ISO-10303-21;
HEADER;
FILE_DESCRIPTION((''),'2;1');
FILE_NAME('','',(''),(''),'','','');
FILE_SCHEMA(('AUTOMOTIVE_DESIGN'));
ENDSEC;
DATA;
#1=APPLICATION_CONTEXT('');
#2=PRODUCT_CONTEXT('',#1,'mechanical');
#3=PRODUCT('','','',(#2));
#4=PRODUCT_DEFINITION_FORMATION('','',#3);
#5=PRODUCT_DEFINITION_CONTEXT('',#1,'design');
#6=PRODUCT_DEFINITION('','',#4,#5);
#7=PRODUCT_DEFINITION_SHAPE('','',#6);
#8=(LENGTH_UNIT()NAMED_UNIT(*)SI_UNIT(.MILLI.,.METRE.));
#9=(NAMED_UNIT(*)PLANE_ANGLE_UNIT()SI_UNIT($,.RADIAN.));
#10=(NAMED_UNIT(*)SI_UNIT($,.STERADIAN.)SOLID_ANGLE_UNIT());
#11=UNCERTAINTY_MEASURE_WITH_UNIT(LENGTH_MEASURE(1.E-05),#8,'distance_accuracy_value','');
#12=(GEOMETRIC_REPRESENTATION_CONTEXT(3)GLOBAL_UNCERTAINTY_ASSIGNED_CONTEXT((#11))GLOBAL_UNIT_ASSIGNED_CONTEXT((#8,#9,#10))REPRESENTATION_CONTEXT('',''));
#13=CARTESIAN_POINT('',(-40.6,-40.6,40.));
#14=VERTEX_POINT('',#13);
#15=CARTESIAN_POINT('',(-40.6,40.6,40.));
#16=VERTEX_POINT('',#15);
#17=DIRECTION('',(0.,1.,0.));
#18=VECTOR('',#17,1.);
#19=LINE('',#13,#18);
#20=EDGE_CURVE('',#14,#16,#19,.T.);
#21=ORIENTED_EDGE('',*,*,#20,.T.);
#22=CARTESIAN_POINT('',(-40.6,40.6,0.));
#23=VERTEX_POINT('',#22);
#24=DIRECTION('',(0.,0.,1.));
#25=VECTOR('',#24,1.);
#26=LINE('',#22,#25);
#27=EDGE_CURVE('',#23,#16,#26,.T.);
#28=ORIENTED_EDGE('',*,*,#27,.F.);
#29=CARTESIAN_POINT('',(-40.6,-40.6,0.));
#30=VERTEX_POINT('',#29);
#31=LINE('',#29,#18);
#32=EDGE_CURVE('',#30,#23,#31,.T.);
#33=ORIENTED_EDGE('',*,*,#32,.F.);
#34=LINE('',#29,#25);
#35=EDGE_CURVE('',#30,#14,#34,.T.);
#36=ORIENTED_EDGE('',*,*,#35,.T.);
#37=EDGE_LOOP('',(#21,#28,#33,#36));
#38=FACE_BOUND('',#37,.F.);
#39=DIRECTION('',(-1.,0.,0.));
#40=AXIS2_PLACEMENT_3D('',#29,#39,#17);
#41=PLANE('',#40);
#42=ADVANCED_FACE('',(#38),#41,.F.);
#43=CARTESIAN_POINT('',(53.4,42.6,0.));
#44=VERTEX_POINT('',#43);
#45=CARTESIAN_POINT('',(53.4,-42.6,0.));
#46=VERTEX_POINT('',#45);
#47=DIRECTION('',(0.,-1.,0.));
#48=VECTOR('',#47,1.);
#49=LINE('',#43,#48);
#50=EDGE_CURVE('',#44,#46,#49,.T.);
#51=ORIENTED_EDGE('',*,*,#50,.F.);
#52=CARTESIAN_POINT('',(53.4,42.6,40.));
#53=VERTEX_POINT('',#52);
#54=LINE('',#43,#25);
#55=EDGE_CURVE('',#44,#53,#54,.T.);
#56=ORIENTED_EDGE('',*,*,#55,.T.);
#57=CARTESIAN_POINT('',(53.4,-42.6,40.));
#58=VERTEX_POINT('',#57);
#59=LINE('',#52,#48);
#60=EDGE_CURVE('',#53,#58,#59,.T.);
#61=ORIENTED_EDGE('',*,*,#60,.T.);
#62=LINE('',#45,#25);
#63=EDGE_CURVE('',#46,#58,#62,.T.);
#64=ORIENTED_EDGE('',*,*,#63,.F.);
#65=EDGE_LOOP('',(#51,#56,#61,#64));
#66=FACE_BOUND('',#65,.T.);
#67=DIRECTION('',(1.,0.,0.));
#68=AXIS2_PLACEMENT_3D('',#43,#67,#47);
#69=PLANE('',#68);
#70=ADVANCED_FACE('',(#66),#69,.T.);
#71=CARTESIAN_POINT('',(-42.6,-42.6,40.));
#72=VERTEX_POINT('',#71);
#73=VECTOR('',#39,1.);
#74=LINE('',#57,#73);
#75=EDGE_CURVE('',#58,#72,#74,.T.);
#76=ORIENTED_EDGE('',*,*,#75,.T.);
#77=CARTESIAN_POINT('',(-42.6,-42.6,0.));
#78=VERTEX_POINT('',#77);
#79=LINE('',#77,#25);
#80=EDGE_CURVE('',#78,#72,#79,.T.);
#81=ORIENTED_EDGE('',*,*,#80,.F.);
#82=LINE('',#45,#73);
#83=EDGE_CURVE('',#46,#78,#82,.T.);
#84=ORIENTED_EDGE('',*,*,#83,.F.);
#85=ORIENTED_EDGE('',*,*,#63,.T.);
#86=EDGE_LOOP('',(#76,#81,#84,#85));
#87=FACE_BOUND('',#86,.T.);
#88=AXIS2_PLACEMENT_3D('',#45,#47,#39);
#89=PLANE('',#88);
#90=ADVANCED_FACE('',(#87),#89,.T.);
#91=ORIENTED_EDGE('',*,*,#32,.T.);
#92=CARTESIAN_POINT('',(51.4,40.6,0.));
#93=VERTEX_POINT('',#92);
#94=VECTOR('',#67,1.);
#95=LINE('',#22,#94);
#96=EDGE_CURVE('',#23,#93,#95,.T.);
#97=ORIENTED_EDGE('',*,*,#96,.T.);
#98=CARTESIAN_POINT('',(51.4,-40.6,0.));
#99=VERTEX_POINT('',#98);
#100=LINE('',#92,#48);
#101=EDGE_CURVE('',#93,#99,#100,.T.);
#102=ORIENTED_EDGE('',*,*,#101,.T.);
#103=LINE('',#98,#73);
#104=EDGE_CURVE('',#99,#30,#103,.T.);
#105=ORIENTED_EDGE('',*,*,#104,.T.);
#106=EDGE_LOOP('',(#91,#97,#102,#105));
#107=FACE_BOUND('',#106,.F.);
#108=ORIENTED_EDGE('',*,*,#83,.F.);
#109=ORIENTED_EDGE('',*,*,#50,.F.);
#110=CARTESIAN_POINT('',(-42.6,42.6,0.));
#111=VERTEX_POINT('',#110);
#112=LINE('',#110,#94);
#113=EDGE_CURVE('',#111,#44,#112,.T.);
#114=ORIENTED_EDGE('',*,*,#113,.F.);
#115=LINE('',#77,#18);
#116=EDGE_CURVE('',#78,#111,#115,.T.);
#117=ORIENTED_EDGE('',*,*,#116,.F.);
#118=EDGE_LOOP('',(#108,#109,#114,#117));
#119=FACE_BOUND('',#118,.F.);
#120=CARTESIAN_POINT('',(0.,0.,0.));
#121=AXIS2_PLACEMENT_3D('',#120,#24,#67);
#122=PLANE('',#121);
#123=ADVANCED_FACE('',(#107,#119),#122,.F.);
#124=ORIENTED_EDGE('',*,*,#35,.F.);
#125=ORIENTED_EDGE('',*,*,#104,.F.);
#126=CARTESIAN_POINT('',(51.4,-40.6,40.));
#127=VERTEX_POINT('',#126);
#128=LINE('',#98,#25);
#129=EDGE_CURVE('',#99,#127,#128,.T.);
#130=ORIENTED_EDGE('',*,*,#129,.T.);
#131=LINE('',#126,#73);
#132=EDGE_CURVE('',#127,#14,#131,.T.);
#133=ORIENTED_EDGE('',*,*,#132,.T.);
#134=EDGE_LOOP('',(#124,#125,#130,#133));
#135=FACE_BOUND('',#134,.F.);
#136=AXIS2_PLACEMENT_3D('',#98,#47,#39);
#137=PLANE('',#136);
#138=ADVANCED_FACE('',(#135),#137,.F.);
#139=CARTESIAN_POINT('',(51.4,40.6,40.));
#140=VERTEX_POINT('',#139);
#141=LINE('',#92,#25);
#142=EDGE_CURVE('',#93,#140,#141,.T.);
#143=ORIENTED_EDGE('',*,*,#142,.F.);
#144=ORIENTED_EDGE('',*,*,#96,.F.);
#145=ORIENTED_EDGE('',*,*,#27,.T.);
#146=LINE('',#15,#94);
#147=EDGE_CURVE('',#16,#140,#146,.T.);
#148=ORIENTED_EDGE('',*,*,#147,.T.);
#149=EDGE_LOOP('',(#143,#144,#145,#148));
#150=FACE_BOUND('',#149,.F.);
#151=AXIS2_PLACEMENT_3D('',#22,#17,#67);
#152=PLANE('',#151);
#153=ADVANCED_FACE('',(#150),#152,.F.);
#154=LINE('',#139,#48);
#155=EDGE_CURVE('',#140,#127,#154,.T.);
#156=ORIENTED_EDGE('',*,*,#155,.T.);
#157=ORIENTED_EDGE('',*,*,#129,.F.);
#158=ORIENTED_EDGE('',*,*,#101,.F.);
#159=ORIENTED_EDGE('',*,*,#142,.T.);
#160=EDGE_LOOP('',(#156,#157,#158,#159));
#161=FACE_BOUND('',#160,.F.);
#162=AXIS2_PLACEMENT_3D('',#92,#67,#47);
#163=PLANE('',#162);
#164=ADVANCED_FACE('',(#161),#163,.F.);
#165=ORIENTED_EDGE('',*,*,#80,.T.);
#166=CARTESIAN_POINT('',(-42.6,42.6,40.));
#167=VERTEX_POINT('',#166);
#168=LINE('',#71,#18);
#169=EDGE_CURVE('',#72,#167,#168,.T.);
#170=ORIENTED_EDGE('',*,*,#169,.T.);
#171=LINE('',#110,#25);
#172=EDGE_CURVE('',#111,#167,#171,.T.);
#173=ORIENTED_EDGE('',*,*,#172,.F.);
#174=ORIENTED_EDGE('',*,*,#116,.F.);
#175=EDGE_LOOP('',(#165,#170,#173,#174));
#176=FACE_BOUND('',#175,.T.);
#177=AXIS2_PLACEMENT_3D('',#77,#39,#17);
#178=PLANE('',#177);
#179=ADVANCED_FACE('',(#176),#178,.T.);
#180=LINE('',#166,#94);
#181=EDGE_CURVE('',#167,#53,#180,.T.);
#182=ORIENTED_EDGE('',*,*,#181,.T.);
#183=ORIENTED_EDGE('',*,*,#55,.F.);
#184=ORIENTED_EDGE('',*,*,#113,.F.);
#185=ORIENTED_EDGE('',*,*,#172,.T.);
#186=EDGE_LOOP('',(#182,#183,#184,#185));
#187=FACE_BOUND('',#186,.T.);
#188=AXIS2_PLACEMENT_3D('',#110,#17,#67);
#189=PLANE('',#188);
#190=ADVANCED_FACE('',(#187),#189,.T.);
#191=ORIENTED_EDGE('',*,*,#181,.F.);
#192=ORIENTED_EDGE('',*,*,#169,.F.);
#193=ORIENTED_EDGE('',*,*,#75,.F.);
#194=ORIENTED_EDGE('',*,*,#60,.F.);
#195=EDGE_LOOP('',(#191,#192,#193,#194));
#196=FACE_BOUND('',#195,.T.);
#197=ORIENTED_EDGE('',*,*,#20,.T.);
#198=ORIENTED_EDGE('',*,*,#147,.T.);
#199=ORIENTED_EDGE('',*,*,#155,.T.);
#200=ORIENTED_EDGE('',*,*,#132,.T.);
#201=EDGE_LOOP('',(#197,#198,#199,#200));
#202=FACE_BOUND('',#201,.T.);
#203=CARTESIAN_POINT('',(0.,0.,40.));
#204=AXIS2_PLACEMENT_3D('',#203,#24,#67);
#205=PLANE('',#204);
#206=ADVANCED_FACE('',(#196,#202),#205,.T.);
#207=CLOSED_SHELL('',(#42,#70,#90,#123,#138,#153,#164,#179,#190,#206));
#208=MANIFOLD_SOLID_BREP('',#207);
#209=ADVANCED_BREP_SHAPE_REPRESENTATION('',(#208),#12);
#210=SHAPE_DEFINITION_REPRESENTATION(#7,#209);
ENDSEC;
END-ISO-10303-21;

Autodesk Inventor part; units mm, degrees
ref_plane "YZ Plane" through (0, 0, 0) normal (1, 0, 0) x (0, 1, 0)
ref_plane "XZ Plane" through (0, 0, 0) normal (0, 1, 0) x (-1, 0, 0)
ref_plane "XY Plane" through (0, 0, 0) normal (0, 0, 1) x (1, 0, 0)
sketch "Sketch1" plane through (0, 0, 0) normal (0, 0, 1) x (1, 0, 0)
  line L0 (-40.6, 40.6) -> (51.4, 40.6)
  line L1 (51.4, 40.6) -> (51.4, -40.6)
  line L2 (51.4, -40.6) -> (-40.6, -40.6)
  line L3 (-40.6, -40.6) -> (-40.6, 40.6)
  line L4 (-42.6, 42.6) -> (53.4, 42.6)
  line L5 (53.4, 42.6) -> (53.4, -42.6)
  line L6 (53.4, -42.6) -> (-42.6, -42.6)
  line L7 (-42.6, -42.6) -> (-42.6, 42.6)
  point P0 (0, 0)
  dimension "d0" = 92
  dimension "d1" = 81.2
  dimension "d2" = 40.6
  dimension "d3" = 40.6
  dimension "d4" = 2
  dimension "d5" = 2
  dimension "d6" = 2
  dimension "d7" = 2
extrude "Extrusion1" add sketch "Sketch1" along normal blind 40
properties part number "expected_size"
